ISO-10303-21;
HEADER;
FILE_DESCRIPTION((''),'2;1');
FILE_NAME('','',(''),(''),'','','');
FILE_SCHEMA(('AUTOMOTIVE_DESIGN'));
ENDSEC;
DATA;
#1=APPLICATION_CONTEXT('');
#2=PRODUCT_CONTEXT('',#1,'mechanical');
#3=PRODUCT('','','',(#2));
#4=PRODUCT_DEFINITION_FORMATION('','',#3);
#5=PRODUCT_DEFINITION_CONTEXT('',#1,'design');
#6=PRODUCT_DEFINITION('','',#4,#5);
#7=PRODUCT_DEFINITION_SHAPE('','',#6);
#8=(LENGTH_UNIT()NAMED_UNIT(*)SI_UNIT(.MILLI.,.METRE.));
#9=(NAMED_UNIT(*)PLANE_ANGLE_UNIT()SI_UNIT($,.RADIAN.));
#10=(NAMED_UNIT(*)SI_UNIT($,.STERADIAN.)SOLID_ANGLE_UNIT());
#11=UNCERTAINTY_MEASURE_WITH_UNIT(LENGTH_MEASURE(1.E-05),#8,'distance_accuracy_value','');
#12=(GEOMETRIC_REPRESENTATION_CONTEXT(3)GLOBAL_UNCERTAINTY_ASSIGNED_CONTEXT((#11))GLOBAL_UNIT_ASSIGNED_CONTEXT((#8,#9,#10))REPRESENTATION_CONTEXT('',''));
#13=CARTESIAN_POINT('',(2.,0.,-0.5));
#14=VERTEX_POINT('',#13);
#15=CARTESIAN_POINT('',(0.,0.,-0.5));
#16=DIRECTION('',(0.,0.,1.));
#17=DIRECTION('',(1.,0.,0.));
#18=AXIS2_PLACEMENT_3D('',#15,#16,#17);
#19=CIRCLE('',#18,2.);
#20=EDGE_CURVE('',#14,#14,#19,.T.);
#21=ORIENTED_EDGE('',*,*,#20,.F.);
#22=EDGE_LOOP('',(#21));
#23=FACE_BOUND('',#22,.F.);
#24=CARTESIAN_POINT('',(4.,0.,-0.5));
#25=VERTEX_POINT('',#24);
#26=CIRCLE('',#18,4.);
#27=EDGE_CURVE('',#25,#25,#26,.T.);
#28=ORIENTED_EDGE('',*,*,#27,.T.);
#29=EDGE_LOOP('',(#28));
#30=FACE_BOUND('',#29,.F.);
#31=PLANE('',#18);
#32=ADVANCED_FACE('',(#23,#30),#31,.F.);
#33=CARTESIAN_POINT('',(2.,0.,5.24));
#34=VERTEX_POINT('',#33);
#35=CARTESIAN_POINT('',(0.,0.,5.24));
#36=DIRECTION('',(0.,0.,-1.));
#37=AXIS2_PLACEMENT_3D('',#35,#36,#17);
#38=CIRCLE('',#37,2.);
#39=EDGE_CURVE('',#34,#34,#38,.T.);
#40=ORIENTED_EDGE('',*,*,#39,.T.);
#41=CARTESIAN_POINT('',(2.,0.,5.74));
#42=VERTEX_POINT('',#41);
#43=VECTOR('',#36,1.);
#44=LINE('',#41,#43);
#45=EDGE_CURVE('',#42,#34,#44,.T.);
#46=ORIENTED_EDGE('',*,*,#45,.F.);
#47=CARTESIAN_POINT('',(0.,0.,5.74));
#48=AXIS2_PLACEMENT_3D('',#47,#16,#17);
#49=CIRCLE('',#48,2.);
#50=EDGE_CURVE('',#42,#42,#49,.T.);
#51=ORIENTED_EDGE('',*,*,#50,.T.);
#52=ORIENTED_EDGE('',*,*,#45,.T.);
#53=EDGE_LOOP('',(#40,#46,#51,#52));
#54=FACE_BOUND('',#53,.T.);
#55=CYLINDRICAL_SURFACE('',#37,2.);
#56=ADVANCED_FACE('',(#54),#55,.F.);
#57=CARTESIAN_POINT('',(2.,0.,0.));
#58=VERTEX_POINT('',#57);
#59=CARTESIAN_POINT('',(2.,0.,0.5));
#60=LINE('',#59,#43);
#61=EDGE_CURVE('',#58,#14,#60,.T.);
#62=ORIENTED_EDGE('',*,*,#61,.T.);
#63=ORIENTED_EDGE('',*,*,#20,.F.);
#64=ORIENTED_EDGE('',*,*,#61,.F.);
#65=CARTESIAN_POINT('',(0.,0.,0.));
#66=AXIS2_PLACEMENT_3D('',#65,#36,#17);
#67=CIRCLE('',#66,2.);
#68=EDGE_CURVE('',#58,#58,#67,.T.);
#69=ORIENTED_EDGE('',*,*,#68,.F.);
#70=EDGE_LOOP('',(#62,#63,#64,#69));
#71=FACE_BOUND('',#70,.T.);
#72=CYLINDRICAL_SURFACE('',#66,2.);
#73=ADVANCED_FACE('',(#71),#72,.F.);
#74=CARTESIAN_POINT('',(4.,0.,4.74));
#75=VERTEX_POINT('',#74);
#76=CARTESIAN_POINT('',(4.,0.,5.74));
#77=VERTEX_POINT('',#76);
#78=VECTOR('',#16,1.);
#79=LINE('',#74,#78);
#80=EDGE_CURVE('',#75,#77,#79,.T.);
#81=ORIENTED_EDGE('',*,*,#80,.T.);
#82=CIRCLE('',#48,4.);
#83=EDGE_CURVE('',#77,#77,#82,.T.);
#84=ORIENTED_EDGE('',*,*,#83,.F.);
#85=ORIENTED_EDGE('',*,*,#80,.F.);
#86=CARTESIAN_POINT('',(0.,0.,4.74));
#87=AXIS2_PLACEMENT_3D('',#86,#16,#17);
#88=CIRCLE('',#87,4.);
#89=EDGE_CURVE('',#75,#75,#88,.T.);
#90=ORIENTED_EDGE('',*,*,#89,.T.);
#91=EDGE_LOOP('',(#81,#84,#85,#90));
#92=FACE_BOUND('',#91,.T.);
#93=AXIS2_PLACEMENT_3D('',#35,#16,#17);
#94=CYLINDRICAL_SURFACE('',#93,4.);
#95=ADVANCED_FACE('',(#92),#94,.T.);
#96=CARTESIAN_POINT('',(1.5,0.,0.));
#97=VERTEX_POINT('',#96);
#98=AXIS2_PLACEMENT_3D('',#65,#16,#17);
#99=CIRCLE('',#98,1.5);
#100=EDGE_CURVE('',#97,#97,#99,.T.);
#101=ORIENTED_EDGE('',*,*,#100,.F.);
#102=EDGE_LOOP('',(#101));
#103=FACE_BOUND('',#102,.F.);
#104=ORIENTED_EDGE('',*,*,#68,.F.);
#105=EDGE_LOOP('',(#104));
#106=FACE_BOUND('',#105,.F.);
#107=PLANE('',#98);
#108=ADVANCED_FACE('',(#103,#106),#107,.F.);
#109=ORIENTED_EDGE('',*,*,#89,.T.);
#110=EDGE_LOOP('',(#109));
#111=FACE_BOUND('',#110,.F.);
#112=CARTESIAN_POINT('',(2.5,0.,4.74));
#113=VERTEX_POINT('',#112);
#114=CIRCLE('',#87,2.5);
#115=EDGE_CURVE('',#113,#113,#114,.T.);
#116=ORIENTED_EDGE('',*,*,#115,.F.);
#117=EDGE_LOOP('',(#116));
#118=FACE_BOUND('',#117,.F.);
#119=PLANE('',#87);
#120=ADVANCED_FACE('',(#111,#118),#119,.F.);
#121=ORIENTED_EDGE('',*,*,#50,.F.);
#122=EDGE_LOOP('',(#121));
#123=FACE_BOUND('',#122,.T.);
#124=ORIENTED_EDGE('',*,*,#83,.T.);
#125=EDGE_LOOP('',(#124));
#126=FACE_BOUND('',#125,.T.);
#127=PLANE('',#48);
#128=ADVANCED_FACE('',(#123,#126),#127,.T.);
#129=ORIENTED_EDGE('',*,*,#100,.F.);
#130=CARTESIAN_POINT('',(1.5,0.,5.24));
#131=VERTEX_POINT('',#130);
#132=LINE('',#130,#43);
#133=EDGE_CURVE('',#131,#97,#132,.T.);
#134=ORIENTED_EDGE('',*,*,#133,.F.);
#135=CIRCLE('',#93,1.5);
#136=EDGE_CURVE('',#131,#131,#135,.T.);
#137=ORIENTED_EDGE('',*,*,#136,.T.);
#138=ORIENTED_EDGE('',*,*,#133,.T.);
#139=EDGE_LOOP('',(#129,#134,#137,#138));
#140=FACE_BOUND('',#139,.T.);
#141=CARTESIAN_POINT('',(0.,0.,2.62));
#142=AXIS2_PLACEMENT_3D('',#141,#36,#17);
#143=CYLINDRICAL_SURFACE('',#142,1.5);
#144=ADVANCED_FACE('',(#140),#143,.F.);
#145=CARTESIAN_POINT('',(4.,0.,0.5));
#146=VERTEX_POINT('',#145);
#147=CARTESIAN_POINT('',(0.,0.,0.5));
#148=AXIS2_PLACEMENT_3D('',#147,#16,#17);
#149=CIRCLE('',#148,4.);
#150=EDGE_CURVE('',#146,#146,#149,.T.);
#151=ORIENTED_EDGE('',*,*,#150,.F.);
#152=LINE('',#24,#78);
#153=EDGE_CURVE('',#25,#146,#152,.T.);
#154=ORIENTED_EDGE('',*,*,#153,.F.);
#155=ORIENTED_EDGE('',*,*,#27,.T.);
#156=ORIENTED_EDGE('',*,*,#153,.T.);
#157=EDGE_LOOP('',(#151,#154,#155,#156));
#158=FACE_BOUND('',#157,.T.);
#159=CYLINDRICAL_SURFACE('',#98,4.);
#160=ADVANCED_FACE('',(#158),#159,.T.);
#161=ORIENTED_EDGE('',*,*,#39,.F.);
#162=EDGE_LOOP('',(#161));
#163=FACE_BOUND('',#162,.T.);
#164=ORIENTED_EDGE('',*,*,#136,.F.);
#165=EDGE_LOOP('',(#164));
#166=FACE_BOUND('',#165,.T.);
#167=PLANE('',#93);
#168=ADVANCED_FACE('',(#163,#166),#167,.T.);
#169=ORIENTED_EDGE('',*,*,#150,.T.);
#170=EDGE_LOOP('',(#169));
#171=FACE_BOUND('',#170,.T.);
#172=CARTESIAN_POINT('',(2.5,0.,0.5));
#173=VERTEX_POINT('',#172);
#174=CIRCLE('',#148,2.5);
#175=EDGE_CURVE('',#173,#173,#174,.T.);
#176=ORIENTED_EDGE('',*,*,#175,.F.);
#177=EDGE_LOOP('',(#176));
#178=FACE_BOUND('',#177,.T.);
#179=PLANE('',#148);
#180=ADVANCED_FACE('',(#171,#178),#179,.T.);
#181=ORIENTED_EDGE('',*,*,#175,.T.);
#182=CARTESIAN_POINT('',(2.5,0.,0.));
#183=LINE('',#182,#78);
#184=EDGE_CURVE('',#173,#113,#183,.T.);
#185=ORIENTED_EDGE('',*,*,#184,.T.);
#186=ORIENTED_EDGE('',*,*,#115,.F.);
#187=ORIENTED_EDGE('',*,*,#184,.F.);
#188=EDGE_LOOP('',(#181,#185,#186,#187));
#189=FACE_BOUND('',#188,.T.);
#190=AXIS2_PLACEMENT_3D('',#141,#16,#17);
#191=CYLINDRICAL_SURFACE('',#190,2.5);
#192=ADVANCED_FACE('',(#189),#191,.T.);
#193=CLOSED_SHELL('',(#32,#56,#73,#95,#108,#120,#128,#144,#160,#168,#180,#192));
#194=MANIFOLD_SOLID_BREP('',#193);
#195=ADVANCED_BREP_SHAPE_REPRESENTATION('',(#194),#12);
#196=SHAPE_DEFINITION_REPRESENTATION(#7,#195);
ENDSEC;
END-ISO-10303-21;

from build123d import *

# Parameters (mm, degrees)
F0_R     = 4
F0_R_2   = 2
F5_DEPTH = 0.5
F2_R     = 2.5
F2_R_2   = 1.5
F6_DEPTH = 2.62
F4_R     = 4
F4_R_2   = 2
F7_DEPTH = 0.5


with BuildPart() as f5:
    # F0 (on Top) → F5 (new body, symmetric)
    with BuildSketch(Plane.XY):
        Circle(F0_R)
        Circle(F0_R_2, mode=Mode.SUBTRACT)
    extrude(amount=F5_DEPTH, both=True)

    # F2 (on offset) → F6 (join, symmetric)
    with BuildSketch(Plane.XY.offset(2.62)):
        Circle(F2_R)
        Circle(F2_R_2, mode=Mode.SUBTRACT)
    extrude(amount=F6_DEPTH, both=True)

    # F4 (on offset) → F7 (join, symmetric)
    with BuildSketch(Plane.XY.offset(5.24)):
        Circle(F4_R)
        Circle(F4_R_2, mode=Mode.SUBTRACT)
    extrude(amount=F7_DEPTH, both=True)


solid = f5.part
